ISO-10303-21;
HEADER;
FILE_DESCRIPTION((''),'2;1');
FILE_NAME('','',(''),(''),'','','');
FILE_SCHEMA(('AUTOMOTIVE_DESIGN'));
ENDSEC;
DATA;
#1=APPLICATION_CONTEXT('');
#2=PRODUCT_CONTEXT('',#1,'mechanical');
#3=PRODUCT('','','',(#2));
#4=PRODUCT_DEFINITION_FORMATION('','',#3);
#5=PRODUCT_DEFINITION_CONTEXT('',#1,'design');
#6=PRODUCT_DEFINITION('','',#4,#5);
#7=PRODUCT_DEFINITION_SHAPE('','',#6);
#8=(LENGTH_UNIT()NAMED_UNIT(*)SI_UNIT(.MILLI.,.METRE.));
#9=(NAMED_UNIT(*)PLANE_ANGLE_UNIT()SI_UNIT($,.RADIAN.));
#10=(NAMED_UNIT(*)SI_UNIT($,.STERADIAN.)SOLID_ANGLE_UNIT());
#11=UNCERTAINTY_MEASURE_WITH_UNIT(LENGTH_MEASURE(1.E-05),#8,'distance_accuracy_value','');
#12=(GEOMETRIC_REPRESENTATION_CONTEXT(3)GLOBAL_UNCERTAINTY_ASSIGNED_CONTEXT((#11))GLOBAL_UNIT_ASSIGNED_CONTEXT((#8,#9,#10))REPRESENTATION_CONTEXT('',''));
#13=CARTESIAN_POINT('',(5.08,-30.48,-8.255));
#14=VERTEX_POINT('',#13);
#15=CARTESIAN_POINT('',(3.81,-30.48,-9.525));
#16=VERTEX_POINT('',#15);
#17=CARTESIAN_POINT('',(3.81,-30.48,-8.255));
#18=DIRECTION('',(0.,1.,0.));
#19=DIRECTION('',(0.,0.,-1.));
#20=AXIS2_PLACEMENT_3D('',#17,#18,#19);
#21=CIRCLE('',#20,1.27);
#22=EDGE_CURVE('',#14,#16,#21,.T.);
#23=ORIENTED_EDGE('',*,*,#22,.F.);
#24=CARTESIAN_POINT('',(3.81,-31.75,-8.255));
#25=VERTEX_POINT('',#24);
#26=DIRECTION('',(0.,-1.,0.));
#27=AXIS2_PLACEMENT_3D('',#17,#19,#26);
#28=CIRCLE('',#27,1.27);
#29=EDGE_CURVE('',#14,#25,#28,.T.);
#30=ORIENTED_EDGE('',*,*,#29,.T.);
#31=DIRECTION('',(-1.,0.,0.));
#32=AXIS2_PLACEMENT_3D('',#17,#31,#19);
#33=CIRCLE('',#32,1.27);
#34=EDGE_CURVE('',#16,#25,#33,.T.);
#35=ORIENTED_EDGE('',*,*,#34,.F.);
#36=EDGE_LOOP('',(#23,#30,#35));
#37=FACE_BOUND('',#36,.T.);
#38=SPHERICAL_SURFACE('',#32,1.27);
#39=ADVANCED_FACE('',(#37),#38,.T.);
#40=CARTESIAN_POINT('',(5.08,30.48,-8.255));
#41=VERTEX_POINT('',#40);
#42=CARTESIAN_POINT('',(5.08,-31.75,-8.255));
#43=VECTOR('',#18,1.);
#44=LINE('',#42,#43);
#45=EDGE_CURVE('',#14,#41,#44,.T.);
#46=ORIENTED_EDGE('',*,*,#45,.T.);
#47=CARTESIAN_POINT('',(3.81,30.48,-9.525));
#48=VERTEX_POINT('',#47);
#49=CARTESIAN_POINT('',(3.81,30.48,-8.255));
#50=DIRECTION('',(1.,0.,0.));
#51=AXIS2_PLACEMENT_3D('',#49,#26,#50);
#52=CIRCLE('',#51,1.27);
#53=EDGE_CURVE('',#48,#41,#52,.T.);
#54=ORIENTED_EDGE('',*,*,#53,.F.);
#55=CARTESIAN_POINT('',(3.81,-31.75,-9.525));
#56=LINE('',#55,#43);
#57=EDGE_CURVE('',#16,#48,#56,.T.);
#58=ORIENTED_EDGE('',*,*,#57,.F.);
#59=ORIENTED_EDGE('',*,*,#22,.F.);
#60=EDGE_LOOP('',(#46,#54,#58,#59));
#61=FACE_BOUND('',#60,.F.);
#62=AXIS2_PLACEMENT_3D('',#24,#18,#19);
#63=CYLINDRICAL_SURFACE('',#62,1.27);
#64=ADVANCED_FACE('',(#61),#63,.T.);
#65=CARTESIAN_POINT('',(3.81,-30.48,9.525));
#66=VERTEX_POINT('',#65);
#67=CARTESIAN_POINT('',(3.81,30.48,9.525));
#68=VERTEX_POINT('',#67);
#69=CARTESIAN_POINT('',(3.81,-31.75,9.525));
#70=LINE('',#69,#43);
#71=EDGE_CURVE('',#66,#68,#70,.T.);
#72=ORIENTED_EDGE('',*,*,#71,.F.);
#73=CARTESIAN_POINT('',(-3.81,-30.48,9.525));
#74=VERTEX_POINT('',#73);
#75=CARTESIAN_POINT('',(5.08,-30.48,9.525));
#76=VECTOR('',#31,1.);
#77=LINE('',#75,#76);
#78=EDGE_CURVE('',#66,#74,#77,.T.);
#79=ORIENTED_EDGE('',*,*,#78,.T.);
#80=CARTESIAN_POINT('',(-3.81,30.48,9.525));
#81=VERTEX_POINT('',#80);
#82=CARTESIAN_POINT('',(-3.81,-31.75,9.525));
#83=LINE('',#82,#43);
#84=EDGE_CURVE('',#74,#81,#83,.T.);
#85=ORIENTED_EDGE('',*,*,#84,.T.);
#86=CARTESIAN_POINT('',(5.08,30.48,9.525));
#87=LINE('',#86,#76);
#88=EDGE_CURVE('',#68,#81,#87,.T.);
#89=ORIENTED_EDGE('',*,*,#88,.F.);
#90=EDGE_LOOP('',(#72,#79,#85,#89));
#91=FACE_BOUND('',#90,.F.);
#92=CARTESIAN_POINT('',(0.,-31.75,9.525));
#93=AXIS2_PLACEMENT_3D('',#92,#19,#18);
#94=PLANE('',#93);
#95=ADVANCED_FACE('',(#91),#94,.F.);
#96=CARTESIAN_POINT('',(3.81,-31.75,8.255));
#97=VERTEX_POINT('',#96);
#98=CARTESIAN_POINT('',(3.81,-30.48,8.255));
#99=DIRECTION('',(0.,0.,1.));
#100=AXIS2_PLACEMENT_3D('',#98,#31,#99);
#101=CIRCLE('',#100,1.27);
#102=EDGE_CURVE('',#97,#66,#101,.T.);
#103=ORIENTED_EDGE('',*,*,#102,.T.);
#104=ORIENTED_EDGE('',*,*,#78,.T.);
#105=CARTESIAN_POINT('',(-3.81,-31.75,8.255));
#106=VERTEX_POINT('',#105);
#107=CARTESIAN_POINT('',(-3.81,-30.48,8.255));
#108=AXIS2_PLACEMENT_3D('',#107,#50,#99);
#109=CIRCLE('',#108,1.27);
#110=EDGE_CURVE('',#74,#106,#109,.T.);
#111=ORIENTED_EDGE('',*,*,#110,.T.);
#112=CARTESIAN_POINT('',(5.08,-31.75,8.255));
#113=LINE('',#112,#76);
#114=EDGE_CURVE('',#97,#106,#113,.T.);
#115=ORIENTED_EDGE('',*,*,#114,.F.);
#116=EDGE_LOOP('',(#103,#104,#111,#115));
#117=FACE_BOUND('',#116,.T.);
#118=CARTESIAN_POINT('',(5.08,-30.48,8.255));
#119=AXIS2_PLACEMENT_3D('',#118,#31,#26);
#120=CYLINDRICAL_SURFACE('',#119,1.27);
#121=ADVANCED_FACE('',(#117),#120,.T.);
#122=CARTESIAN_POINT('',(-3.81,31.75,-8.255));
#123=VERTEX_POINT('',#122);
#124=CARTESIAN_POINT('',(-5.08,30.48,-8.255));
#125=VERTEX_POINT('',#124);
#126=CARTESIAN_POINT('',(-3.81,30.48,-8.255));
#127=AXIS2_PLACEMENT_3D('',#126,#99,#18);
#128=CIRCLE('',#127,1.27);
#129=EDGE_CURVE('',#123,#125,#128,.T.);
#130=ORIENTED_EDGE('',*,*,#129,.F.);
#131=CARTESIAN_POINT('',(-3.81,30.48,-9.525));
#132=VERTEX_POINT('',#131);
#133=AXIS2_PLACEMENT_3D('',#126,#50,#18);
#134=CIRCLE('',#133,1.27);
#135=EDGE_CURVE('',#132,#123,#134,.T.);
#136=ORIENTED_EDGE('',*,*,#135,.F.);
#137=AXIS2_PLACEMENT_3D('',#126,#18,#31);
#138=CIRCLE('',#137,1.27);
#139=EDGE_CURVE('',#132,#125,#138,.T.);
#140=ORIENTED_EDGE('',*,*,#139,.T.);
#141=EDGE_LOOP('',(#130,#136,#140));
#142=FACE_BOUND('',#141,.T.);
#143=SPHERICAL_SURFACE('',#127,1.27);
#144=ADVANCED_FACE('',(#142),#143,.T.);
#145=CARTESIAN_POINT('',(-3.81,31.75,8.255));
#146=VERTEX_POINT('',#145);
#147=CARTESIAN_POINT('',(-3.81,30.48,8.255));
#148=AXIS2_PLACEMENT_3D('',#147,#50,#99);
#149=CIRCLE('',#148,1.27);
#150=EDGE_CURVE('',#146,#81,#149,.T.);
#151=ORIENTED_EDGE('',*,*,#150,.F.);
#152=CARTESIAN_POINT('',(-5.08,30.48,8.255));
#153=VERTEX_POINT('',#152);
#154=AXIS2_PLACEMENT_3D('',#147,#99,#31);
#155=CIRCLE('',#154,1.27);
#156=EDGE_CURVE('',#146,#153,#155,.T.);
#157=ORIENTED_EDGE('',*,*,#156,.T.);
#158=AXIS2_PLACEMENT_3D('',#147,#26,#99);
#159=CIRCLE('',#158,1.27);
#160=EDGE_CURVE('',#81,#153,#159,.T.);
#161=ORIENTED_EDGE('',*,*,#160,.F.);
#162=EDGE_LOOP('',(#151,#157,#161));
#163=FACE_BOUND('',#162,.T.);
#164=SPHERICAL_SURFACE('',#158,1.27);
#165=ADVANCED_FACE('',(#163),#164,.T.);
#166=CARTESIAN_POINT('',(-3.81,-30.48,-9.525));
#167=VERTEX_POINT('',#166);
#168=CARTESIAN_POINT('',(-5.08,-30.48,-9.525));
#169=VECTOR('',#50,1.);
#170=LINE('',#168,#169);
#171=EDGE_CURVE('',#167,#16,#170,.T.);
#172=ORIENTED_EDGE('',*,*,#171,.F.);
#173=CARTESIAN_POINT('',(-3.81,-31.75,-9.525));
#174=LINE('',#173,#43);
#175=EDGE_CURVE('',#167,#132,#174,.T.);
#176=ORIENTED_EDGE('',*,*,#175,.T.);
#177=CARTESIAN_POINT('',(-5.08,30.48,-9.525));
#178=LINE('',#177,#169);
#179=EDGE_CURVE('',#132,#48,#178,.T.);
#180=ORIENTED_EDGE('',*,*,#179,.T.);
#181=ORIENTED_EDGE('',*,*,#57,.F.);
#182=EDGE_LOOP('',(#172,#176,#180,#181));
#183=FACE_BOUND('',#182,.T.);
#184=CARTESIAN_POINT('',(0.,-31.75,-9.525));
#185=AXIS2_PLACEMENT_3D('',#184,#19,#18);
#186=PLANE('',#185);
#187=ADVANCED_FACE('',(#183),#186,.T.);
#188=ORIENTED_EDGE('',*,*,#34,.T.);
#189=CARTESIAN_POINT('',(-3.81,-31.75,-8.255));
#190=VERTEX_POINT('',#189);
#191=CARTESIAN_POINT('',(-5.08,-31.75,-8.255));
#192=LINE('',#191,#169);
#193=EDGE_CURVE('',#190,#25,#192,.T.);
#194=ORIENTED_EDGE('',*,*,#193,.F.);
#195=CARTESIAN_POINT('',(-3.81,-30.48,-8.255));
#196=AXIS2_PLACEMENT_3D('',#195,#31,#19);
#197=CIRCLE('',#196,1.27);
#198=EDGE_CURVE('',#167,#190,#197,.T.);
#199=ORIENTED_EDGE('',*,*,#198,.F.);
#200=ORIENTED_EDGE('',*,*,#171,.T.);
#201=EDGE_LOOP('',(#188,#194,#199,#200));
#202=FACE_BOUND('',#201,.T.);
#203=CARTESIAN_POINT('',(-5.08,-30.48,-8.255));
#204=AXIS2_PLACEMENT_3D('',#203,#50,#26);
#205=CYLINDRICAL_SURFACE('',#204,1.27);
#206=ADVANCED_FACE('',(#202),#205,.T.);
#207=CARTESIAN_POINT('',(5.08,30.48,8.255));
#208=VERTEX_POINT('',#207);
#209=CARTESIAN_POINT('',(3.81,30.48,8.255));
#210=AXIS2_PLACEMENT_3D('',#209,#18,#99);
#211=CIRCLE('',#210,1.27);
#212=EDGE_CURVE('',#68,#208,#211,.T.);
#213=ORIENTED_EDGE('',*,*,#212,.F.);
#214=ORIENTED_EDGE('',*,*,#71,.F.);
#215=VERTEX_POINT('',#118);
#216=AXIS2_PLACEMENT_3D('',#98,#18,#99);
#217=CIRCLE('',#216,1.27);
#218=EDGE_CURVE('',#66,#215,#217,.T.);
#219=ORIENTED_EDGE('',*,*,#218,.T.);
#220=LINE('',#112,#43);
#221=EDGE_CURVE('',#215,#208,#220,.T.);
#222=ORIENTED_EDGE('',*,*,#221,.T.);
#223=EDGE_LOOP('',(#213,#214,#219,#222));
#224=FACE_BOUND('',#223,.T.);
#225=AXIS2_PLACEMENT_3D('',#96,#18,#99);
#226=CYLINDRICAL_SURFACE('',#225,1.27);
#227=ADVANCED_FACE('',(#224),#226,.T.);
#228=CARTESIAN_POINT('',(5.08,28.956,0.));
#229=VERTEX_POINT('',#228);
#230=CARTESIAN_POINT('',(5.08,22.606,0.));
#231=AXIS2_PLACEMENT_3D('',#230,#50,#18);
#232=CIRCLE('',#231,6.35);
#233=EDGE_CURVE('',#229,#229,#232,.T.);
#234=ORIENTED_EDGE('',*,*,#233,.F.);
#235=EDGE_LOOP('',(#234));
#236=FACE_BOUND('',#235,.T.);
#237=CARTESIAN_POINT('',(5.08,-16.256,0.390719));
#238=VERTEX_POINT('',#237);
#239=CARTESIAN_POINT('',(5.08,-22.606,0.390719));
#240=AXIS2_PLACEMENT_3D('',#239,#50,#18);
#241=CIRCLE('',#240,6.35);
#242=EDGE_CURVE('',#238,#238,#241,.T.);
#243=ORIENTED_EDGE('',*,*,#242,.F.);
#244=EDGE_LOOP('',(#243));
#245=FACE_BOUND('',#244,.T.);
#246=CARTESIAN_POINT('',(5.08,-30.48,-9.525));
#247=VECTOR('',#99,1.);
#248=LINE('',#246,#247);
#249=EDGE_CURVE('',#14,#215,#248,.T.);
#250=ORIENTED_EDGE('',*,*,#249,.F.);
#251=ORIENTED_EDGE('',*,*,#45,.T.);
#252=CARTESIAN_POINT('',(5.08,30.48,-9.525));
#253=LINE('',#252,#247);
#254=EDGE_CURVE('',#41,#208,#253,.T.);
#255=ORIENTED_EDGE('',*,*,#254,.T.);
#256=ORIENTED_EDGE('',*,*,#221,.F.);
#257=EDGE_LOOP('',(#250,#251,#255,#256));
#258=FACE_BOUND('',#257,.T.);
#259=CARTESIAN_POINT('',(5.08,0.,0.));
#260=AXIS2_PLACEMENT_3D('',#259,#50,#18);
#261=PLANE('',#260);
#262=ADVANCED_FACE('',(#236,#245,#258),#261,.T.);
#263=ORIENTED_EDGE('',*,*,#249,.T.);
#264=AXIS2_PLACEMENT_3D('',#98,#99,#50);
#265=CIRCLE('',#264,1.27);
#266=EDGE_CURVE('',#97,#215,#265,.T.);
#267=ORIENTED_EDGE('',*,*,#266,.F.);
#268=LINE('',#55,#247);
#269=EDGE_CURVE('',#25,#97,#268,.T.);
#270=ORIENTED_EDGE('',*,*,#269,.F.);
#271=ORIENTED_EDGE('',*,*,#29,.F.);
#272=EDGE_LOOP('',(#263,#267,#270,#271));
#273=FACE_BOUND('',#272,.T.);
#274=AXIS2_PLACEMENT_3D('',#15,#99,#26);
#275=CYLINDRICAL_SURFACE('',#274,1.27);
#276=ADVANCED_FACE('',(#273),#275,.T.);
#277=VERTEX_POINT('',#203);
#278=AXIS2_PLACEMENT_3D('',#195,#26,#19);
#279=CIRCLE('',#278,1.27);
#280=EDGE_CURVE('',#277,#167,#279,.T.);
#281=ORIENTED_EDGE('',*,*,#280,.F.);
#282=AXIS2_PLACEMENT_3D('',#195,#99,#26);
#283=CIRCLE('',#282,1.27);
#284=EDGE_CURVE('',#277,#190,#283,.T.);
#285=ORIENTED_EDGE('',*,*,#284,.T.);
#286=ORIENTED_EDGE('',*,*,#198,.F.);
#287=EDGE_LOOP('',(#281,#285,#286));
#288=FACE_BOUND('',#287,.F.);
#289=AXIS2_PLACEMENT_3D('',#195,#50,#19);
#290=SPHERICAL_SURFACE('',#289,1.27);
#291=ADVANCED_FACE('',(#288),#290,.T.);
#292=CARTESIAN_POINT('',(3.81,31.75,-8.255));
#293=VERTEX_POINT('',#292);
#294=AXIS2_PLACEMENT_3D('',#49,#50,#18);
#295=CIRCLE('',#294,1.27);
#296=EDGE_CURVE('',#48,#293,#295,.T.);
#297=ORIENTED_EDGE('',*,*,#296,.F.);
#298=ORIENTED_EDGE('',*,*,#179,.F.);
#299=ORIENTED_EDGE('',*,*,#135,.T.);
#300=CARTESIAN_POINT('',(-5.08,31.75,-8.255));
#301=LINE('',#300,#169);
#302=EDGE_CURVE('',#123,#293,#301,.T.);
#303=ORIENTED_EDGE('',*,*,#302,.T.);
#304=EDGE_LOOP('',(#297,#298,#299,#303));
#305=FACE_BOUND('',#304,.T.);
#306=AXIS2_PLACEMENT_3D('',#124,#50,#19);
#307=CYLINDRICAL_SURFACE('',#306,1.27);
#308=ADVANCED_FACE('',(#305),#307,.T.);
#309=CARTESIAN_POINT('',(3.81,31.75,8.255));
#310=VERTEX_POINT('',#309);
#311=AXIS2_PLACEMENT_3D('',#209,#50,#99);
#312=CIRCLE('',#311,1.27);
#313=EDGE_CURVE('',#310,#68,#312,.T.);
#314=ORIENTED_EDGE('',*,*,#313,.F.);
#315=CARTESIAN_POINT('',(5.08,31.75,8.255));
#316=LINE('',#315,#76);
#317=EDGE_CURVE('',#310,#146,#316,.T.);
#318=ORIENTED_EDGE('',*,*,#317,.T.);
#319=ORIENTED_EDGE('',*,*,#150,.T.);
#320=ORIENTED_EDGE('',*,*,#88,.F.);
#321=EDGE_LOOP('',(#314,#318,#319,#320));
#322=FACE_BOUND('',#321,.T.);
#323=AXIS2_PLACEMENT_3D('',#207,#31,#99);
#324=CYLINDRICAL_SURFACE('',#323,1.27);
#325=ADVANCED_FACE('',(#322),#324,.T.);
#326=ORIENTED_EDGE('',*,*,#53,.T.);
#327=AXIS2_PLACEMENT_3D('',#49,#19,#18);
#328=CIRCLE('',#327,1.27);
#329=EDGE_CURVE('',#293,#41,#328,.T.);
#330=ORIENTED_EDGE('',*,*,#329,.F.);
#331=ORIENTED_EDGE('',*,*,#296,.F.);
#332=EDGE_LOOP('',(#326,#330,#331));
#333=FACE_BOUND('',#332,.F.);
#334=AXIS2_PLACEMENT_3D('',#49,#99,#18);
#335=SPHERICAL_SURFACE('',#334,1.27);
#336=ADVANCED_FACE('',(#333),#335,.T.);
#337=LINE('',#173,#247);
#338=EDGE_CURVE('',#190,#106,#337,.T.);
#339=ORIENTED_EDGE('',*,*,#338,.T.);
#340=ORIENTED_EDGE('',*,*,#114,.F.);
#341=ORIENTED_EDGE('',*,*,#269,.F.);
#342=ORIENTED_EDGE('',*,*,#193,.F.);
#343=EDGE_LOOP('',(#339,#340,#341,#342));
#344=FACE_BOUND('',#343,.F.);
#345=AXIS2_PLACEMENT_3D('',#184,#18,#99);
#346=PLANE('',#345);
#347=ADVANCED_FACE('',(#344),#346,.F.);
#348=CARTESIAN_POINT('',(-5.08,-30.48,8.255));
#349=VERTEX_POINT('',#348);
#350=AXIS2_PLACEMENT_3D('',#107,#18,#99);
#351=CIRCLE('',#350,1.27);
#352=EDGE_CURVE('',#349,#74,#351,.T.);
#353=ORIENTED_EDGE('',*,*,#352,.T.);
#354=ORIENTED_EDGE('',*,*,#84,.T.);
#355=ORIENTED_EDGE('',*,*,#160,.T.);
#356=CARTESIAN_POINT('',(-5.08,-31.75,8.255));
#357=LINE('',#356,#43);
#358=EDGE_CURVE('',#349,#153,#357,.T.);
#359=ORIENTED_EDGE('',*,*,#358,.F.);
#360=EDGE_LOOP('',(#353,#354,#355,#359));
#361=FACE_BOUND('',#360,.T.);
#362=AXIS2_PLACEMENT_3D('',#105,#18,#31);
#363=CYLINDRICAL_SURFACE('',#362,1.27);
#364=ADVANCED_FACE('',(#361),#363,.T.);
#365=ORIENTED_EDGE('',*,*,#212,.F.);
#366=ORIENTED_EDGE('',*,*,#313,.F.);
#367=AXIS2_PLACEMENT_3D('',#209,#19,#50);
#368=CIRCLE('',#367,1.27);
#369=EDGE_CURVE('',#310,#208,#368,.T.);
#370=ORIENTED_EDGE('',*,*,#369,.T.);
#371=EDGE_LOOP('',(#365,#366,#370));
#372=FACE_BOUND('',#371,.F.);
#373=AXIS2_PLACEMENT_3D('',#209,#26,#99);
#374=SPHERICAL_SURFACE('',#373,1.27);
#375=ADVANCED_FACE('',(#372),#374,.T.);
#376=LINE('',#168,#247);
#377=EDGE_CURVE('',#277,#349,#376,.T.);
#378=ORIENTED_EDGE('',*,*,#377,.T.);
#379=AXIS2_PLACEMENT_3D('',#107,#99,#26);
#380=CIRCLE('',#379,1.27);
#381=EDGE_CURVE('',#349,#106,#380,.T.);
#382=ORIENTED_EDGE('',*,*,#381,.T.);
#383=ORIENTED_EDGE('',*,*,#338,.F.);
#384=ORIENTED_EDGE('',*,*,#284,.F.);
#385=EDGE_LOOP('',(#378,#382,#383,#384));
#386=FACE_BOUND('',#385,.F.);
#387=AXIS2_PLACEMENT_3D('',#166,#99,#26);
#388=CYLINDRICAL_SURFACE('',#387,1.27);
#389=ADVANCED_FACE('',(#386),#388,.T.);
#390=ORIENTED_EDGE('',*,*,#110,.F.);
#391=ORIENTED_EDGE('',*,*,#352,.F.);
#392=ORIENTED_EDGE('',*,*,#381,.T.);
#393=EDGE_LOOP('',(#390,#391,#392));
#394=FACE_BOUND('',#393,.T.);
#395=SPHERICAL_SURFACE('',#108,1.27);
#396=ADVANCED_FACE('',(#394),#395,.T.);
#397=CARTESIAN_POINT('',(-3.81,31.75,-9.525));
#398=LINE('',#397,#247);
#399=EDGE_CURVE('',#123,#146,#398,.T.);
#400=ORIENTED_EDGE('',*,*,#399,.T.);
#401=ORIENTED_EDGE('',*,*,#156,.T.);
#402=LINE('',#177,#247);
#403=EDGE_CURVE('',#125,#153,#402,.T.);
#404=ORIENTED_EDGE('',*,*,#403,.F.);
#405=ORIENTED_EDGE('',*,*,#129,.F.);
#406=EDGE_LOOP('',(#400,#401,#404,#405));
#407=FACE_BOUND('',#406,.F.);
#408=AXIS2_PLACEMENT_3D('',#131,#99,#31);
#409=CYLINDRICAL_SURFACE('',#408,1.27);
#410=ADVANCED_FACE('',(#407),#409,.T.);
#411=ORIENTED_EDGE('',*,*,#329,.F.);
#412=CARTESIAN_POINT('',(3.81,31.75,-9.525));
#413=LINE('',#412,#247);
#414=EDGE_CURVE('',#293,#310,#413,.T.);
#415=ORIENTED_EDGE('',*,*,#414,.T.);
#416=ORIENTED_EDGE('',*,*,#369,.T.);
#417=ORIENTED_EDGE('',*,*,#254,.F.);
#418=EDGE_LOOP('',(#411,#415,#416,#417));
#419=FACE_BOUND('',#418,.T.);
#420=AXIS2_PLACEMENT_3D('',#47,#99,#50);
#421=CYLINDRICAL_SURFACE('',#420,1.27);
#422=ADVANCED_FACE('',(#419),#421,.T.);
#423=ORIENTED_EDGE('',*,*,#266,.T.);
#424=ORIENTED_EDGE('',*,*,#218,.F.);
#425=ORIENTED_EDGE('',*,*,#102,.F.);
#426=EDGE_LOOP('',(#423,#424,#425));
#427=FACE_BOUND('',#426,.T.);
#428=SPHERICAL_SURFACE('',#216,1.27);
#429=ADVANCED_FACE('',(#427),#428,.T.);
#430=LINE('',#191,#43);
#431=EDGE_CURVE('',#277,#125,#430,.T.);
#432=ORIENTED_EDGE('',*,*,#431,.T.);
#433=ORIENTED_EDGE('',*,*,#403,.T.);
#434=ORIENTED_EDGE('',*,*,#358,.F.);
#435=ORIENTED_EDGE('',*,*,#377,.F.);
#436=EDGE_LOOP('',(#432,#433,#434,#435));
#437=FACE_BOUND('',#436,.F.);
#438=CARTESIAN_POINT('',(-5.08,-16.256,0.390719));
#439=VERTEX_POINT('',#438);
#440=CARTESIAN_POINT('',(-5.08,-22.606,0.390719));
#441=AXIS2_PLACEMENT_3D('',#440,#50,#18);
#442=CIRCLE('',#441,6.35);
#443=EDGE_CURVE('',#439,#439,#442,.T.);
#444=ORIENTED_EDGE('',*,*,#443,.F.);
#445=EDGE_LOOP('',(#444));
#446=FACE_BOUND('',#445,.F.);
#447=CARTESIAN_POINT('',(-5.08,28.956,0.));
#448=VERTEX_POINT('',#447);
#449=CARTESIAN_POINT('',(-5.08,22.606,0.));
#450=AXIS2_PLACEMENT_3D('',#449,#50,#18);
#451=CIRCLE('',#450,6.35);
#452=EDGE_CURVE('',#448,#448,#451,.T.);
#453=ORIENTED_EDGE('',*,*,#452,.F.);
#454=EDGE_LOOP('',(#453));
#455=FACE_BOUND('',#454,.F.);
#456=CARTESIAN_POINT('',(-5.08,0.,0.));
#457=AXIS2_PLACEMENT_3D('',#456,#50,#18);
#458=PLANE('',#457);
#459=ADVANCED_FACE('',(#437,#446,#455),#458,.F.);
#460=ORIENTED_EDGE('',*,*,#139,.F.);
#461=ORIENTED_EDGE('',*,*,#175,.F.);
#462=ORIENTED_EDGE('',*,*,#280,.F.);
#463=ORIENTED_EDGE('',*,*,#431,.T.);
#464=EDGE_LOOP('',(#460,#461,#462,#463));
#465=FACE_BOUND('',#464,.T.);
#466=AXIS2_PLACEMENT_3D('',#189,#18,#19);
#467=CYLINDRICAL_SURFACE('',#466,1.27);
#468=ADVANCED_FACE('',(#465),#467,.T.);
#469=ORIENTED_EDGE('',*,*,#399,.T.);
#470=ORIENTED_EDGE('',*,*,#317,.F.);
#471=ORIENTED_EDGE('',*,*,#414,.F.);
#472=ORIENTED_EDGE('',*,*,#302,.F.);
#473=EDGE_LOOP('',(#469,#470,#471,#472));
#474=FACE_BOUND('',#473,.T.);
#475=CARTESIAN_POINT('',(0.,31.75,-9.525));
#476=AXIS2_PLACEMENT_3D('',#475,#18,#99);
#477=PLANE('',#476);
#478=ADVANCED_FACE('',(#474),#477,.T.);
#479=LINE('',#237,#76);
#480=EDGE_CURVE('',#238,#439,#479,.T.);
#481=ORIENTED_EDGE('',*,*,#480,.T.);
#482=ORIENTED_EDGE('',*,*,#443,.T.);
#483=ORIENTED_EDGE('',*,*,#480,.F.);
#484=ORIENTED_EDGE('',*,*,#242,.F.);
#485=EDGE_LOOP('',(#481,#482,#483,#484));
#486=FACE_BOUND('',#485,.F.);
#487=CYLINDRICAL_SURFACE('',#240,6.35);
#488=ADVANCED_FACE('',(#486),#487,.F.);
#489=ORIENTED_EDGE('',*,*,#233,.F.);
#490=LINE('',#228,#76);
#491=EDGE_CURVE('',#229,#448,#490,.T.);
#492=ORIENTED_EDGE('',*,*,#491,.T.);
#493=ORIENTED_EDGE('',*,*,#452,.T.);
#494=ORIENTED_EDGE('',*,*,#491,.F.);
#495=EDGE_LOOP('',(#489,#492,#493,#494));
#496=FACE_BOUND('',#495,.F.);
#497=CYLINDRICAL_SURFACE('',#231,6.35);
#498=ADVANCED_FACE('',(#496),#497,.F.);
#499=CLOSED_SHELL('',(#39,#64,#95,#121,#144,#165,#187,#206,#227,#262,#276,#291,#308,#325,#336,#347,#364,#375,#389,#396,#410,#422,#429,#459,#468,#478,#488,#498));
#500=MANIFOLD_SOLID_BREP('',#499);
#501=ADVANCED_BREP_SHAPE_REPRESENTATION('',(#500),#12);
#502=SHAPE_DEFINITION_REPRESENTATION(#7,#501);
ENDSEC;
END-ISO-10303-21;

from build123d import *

# Parameters (mm, degrees)
F0_W          = 63.5
F0_H          = 19.05
F1_DEPTH      = 5.08
F1_DEPTH_BACK = 5.08
F2_R          = 6.35
F3_DEPTH      = 25.4
F4_R          = 1.27


with BuildPart() as f1:
    # F0 (on Right) → F1 (new body, two sides)
    with BuildSketch(Plane.YZ) as f1_sk:
        Rectangle(F0_W, F0_H)
    extrude(amount=F1_DEPTH)
    extrude(f1_sk.sketch, amount=-F1_DEPTH_BACK)

    # F2 (on face) → F3 (cut)
    with BuildSketch(Plane.YZ.offset(5.08)):
        with Locations((22.606, 0)):
            Circle(F2_R)
        with Locations((-22.606, 0.390719)):
            Circle(F2_R)
    extrude(amount=-F3_DEPTH, mode=Mode.SUBTRACT)

    # F4
    f4_edges = [f1.edges().sort_by_distance(p)[0] for p in [
        (5.08, 0, 9.525),
        (0, -31.75, 9.525),
        (-5.08, 0, 9.525),
        (0, 31.75, 9.525),
        (5.08, 31.75, 0),
        (-5.08, 31.75, 0),
        (0, 31.75, -9.525),
        (0, -31.75, -9.525),
        (5.08, 0, -9.525),
        (-5.08, 0, -9.525),
        (5.08, -31.75, 0),
        (-5.08, -31.75, 0),
    ]]
    fillet(f4_edges, radius=F4_R)


solid = f1.part
